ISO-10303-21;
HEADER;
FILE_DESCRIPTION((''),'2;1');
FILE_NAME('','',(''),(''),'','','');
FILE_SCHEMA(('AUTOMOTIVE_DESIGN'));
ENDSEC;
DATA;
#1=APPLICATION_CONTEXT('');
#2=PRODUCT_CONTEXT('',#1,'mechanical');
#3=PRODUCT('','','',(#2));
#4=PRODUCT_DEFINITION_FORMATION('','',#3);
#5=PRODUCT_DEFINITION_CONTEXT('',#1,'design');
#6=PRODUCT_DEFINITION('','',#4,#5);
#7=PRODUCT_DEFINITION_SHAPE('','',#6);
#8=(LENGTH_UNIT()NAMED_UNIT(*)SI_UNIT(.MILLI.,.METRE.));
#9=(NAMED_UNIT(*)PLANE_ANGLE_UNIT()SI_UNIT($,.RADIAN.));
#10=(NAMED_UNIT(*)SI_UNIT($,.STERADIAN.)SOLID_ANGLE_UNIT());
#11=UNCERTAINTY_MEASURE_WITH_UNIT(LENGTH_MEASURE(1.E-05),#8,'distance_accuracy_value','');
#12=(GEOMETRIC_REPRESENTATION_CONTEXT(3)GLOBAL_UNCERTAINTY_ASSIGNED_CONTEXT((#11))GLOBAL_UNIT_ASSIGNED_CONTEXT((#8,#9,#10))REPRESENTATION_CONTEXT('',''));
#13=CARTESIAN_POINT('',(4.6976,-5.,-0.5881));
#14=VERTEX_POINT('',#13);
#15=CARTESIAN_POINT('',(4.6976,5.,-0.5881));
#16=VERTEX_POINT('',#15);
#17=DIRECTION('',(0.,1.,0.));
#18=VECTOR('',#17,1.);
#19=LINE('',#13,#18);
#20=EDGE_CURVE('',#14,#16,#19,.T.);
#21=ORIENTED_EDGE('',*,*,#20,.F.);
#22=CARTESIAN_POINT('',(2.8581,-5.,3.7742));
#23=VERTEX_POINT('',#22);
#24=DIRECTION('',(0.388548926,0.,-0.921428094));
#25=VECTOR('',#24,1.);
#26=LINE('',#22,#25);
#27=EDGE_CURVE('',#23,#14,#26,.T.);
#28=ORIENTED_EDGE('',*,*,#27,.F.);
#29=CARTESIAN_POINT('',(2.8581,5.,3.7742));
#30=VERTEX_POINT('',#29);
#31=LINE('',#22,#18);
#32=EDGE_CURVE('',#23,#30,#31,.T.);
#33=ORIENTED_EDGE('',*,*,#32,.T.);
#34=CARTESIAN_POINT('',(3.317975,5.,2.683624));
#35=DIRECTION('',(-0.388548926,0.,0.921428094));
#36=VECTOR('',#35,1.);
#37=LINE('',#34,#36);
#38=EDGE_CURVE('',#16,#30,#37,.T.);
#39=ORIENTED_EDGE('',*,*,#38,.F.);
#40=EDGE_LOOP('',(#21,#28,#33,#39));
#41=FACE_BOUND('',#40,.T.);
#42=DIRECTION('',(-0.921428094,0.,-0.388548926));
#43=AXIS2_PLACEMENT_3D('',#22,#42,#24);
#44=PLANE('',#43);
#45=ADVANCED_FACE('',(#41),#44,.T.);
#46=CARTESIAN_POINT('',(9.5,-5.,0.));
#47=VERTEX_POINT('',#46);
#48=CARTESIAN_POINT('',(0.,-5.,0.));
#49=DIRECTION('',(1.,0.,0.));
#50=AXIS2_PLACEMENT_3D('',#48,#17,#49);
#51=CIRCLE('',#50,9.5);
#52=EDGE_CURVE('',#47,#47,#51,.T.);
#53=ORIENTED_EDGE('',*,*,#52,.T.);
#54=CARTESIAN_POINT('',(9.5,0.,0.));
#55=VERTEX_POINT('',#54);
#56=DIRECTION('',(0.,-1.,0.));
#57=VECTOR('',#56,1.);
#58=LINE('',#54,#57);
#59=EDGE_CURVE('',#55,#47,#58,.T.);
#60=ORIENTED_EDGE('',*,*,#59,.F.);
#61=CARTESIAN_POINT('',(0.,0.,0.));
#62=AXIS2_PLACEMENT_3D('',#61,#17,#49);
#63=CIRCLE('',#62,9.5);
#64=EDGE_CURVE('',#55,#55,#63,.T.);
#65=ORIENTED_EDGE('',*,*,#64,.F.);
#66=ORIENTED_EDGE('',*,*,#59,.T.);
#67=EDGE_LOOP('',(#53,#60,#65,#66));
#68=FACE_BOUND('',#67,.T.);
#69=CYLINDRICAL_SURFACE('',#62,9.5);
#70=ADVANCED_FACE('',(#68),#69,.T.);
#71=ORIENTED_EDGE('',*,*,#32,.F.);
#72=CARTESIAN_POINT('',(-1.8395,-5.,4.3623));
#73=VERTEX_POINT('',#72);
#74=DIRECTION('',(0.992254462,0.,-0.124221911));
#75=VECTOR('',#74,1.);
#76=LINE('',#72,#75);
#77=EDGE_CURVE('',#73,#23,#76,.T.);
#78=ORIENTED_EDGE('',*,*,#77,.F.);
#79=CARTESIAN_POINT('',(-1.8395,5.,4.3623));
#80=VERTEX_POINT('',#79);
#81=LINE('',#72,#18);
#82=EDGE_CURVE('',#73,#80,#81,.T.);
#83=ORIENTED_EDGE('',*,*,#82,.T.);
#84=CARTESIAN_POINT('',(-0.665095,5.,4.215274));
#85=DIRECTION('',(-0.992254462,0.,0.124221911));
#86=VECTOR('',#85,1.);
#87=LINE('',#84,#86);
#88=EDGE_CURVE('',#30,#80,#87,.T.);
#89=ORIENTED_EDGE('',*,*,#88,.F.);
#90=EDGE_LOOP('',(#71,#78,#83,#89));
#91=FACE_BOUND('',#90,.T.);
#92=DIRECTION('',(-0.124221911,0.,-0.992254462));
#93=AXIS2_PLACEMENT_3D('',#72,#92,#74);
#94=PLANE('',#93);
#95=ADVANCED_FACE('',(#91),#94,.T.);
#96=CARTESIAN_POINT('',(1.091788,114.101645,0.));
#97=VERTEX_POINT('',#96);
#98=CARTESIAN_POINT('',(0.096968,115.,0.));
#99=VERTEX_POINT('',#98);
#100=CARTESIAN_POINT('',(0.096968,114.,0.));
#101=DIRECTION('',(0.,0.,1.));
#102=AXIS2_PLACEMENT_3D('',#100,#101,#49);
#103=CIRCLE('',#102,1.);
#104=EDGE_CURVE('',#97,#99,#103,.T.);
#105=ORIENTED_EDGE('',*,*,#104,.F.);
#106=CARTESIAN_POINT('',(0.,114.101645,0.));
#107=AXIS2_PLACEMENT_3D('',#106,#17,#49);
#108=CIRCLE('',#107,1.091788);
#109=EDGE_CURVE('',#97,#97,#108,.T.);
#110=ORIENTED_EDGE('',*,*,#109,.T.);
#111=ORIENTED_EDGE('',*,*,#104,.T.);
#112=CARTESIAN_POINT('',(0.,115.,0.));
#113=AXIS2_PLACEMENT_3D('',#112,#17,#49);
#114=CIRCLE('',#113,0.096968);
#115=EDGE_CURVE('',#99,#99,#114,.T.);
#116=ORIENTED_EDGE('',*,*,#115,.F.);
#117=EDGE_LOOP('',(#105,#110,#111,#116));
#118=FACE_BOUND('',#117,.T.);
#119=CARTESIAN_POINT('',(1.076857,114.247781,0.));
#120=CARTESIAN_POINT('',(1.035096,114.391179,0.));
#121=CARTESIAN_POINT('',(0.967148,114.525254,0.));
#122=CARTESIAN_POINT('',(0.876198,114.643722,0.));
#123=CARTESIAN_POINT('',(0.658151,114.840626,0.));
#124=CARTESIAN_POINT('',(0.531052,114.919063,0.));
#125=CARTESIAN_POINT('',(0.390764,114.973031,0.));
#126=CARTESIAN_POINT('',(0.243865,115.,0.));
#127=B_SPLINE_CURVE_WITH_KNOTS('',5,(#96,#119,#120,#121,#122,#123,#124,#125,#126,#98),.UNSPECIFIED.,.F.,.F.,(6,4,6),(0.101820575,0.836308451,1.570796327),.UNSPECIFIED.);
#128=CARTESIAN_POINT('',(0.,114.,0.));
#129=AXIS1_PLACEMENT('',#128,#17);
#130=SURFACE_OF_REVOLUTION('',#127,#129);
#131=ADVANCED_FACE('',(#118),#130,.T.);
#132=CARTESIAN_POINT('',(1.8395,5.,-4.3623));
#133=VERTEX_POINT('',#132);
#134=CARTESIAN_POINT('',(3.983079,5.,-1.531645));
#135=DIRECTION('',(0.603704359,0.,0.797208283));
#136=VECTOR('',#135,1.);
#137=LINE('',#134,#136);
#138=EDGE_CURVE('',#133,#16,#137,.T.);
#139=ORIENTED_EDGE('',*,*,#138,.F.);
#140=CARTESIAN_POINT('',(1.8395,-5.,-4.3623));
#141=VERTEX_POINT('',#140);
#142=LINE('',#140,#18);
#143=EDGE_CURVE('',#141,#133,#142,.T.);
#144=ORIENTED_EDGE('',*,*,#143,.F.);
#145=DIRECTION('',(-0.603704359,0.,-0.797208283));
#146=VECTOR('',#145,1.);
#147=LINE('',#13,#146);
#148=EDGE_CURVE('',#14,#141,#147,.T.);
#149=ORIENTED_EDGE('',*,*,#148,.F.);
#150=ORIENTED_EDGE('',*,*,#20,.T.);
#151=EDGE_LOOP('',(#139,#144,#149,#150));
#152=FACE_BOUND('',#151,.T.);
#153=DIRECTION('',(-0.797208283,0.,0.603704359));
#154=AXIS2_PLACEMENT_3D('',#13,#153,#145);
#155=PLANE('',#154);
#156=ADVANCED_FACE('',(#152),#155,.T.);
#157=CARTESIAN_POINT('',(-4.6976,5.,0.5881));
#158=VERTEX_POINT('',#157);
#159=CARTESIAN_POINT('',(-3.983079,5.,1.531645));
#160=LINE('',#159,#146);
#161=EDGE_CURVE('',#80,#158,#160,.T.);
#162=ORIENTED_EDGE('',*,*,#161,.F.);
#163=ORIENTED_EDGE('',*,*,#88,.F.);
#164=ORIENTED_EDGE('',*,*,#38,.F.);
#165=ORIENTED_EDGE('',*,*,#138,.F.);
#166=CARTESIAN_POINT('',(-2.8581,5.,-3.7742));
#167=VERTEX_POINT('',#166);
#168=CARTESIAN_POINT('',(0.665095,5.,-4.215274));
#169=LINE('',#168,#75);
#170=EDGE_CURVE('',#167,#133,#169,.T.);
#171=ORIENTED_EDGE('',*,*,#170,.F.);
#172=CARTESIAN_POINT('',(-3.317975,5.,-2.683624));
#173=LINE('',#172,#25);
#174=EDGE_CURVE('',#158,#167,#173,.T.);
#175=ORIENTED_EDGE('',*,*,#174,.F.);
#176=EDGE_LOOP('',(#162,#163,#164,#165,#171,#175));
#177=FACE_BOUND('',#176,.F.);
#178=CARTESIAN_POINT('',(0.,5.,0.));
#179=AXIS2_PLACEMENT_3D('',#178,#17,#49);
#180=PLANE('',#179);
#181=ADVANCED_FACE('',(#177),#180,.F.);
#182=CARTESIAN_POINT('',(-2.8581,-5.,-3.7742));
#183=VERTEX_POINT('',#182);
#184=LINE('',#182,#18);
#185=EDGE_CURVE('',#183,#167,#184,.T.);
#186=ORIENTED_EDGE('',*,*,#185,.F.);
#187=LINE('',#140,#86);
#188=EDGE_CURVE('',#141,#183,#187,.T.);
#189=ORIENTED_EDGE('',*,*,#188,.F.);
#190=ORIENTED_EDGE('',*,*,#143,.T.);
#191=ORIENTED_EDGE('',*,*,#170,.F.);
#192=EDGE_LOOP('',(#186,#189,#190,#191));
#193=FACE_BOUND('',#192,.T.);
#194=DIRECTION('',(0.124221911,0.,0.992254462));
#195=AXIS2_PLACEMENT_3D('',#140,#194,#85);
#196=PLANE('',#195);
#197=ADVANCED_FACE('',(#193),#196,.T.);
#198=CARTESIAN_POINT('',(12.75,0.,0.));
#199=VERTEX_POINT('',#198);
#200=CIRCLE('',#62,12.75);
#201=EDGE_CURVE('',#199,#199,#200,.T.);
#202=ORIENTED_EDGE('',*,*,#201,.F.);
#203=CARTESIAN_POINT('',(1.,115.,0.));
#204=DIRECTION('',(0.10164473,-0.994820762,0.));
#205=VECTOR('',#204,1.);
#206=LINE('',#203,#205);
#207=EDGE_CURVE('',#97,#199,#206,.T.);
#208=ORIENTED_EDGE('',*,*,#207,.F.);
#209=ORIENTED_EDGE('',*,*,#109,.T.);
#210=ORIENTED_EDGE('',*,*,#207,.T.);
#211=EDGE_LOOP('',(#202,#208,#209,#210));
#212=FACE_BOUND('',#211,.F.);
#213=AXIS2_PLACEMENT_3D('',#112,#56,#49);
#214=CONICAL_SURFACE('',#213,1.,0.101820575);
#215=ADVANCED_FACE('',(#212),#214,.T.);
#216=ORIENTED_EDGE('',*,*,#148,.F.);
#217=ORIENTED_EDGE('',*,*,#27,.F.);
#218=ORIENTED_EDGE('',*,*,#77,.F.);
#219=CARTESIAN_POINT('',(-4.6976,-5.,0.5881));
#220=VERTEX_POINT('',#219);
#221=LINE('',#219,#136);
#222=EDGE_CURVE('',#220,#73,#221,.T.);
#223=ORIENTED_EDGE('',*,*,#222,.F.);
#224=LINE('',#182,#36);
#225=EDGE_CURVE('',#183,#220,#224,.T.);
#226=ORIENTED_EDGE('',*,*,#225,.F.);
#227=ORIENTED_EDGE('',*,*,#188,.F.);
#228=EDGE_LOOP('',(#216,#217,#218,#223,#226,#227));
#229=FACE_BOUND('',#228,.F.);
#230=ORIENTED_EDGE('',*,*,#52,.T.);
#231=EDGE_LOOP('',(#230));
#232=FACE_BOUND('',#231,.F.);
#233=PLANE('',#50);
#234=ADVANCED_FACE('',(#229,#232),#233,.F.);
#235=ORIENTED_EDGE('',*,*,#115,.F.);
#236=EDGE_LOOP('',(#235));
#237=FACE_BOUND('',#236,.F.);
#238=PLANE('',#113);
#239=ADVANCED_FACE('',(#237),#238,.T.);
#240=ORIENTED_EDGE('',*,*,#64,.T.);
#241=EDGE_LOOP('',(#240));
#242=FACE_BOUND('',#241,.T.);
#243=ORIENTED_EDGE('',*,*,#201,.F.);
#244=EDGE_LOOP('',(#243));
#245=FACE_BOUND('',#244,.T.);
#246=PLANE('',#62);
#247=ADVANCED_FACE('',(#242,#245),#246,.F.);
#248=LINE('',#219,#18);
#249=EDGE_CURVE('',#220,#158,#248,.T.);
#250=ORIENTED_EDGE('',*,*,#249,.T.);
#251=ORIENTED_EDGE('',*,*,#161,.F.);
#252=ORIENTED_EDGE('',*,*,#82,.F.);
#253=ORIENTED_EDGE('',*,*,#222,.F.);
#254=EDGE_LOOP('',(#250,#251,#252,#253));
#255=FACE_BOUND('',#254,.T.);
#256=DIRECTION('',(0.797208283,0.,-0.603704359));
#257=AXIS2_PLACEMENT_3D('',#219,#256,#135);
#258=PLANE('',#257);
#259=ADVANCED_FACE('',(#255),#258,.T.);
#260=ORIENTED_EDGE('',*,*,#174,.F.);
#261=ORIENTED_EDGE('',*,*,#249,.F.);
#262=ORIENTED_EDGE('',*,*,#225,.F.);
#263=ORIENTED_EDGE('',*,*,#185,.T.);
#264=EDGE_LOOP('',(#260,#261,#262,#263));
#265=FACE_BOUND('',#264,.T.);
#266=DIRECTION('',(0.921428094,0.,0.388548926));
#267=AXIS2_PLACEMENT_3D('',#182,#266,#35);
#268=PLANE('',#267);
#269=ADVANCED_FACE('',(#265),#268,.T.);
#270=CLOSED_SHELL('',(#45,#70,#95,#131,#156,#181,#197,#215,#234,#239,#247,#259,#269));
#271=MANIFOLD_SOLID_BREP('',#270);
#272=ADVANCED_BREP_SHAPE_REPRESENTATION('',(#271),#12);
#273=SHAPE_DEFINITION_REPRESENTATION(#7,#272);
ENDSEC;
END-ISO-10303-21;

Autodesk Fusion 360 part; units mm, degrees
sketch "base" plane through (0, 0, 0) normal (0, 1, 0) x (1, 0, 0)
  circle A0 centre (0, 0) radius 12.75
  circle A1 centre (0, 0) radius 9.5
  line L0 (4.6976, 0.5881) -> (1.8395, 4.3623)
  line L1 (1.8395, 4.3623) -> (-2.8581, 3.7742)
  line L2 (-2.8581, 3.7742) -> (-4.6976, -0.5881)
  line L3 (-4.6976, -0.5881) -> (-1.8395, -4.3623)
  line L4 (-1.8395, -4.3623) -> (2.8581, -3.7742)
  line L5 (2.8581, -3.7742) -> (4.6976, 0.5881)
  dimension "d1" = 25.5
  dimension "d8" = 19
  dimension "d11" = 4.1
sketch "side" plane through (0, 0, 0) normal (0, 0, 1) x (1, 0, 0)
  line L0 (0, 0) -> (0, 115)
  line L1 (0, 0) -> (12.75, 0)
  line L2 (0, 115) -> (1, 115)
  line L3 (1, 115) -> (12.75, 0)
  line L4 (0, 108.2663) -> (1.688, 108.2663)
  dimension "d4" = 115
  dimension "d5" = 12.75
  dimension "d19" = 1
revolve "cone" add sketch "side" angle 360 about axis through (0, 0, 0) along (0, 1, 0) makes body 1
extrude "tip_insert" cut sketch "base" along normal blind 5 contours A1 | L0 L1 L2 L3 L4 L5 bodies 1
extrude "shoulder" add sketch "base" along normal blind 10 and the other way blind 5 separate body contours A1 | L0 L1 L2 L3 L4 L5 makes body 2
extrude "Extrude2" cut sketch "base" along normal blind 25 from surface at -5 contours L0 L1 L2 L3 L4 L5 bodies 2
fillet "Fillet1" radius 1 1 edges at (-0.9323, 115, -0.3616) on bodies 1
combine "Combine1" operation add target body 1 tool bodies 2
equation "d1 = base_diam"
equation "base_diam = 25.5 mm"
equation "height = 115 mm"
equation "d4 = height"
equation "d5 = base_diam / 2"
equation "inside_diam = 19 mm"
equation "d8 = inside_diam"
